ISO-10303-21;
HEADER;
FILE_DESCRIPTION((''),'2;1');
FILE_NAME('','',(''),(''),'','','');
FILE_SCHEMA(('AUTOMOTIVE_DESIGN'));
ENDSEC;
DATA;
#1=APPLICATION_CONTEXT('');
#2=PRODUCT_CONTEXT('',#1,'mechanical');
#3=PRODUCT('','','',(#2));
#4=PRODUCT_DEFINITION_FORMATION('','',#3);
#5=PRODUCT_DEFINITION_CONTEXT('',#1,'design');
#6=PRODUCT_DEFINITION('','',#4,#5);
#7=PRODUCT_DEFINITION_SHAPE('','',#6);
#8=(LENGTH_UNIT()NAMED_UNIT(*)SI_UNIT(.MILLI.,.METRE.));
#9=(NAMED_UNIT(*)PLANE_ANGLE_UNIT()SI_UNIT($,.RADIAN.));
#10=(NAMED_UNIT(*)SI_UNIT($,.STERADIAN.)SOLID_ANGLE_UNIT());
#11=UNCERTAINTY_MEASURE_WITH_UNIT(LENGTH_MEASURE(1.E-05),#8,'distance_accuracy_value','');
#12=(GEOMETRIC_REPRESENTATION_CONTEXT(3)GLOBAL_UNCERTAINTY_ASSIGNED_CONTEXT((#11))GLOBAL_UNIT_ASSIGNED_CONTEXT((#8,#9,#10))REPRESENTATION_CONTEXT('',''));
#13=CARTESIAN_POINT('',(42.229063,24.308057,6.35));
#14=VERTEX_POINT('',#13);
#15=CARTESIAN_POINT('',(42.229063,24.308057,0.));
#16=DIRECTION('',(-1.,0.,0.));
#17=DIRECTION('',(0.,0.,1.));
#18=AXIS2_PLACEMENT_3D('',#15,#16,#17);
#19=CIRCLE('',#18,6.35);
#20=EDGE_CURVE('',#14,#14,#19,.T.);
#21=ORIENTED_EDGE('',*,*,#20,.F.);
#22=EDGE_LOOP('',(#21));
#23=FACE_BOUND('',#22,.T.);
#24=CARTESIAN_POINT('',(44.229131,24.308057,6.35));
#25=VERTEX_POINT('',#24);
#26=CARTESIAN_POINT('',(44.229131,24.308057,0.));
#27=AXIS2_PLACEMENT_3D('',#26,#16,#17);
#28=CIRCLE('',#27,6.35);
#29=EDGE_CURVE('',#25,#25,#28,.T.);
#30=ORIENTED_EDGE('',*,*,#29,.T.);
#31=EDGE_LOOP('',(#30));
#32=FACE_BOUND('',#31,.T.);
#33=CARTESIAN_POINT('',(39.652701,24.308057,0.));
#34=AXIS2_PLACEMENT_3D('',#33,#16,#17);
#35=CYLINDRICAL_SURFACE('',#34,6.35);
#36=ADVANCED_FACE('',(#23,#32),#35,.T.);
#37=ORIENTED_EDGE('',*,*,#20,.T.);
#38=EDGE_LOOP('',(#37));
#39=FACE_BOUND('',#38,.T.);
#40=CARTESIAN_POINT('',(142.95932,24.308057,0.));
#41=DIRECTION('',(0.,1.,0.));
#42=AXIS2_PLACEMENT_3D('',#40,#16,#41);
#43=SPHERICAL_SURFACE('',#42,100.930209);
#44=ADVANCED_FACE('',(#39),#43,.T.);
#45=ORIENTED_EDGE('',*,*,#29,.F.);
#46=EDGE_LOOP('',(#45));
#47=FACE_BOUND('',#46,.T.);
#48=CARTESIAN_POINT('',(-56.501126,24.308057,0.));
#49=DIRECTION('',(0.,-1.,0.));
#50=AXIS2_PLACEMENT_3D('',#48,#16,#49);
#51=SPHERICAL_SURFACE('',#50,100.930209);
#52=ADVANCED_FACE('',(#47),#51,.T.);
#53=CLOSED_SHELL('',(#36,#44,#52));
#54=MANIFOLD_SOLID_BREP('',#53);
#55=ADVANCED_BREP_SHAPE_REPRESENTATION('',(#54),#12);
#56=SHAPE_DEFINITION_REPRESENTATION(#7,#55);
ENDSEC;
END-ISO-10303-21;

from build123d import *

# Parameters (mm, degrees)
SKETCH_1_ONE_SIDE_W = 2.000068571
SKETCH_1_ONE_SIDE_H = 6.35


with BuildPart() as part:
    # 草图1 one side → 旋转1 (revolve)
    with BuildSketch(Plane.XY, mode=Mode.PRIVATE) as revolve_1_sk:
        with Locations((43.229096888, 27.483056512)):
            Rectangle(SKETCH_1_ONE_SIDE_W, SKETCH_1_ONE_SIDE_H)
        with BuildLine():
            Line((42.029110173, 24.308056512), (42.229062602, 24.308056512))
            Line((42.229062602, 24.308056512), (42.229062602, 30.658056512))
            ThreePointArc((42.229062602, 30.658056512), (42.079110665, 27.484630176), (42.029110173, 24.308056512))
        make_face()
        with BuildLine():
            Line((44.229131173, 24.308056512), (44.429083602, 24.308056512))
            ThreePointArc((44.429083602, 24.308056512), (44.379083109, 27.484630176), (44.229131173, 30.658056512))
            Line((44.229131173, 30.658056512), (44.229131173, 24.308056512))
        make_face()
    revolve(revolve_1_sk.sketch.rotate(Axis((39.652700675, 24.308056512, 0), (1, 0, 0)), 90), axis=Axis((39.652700675, 24.308056512, 0), (1, 0, 0)))  # turned: the seam where the file's is


solid = part.part
